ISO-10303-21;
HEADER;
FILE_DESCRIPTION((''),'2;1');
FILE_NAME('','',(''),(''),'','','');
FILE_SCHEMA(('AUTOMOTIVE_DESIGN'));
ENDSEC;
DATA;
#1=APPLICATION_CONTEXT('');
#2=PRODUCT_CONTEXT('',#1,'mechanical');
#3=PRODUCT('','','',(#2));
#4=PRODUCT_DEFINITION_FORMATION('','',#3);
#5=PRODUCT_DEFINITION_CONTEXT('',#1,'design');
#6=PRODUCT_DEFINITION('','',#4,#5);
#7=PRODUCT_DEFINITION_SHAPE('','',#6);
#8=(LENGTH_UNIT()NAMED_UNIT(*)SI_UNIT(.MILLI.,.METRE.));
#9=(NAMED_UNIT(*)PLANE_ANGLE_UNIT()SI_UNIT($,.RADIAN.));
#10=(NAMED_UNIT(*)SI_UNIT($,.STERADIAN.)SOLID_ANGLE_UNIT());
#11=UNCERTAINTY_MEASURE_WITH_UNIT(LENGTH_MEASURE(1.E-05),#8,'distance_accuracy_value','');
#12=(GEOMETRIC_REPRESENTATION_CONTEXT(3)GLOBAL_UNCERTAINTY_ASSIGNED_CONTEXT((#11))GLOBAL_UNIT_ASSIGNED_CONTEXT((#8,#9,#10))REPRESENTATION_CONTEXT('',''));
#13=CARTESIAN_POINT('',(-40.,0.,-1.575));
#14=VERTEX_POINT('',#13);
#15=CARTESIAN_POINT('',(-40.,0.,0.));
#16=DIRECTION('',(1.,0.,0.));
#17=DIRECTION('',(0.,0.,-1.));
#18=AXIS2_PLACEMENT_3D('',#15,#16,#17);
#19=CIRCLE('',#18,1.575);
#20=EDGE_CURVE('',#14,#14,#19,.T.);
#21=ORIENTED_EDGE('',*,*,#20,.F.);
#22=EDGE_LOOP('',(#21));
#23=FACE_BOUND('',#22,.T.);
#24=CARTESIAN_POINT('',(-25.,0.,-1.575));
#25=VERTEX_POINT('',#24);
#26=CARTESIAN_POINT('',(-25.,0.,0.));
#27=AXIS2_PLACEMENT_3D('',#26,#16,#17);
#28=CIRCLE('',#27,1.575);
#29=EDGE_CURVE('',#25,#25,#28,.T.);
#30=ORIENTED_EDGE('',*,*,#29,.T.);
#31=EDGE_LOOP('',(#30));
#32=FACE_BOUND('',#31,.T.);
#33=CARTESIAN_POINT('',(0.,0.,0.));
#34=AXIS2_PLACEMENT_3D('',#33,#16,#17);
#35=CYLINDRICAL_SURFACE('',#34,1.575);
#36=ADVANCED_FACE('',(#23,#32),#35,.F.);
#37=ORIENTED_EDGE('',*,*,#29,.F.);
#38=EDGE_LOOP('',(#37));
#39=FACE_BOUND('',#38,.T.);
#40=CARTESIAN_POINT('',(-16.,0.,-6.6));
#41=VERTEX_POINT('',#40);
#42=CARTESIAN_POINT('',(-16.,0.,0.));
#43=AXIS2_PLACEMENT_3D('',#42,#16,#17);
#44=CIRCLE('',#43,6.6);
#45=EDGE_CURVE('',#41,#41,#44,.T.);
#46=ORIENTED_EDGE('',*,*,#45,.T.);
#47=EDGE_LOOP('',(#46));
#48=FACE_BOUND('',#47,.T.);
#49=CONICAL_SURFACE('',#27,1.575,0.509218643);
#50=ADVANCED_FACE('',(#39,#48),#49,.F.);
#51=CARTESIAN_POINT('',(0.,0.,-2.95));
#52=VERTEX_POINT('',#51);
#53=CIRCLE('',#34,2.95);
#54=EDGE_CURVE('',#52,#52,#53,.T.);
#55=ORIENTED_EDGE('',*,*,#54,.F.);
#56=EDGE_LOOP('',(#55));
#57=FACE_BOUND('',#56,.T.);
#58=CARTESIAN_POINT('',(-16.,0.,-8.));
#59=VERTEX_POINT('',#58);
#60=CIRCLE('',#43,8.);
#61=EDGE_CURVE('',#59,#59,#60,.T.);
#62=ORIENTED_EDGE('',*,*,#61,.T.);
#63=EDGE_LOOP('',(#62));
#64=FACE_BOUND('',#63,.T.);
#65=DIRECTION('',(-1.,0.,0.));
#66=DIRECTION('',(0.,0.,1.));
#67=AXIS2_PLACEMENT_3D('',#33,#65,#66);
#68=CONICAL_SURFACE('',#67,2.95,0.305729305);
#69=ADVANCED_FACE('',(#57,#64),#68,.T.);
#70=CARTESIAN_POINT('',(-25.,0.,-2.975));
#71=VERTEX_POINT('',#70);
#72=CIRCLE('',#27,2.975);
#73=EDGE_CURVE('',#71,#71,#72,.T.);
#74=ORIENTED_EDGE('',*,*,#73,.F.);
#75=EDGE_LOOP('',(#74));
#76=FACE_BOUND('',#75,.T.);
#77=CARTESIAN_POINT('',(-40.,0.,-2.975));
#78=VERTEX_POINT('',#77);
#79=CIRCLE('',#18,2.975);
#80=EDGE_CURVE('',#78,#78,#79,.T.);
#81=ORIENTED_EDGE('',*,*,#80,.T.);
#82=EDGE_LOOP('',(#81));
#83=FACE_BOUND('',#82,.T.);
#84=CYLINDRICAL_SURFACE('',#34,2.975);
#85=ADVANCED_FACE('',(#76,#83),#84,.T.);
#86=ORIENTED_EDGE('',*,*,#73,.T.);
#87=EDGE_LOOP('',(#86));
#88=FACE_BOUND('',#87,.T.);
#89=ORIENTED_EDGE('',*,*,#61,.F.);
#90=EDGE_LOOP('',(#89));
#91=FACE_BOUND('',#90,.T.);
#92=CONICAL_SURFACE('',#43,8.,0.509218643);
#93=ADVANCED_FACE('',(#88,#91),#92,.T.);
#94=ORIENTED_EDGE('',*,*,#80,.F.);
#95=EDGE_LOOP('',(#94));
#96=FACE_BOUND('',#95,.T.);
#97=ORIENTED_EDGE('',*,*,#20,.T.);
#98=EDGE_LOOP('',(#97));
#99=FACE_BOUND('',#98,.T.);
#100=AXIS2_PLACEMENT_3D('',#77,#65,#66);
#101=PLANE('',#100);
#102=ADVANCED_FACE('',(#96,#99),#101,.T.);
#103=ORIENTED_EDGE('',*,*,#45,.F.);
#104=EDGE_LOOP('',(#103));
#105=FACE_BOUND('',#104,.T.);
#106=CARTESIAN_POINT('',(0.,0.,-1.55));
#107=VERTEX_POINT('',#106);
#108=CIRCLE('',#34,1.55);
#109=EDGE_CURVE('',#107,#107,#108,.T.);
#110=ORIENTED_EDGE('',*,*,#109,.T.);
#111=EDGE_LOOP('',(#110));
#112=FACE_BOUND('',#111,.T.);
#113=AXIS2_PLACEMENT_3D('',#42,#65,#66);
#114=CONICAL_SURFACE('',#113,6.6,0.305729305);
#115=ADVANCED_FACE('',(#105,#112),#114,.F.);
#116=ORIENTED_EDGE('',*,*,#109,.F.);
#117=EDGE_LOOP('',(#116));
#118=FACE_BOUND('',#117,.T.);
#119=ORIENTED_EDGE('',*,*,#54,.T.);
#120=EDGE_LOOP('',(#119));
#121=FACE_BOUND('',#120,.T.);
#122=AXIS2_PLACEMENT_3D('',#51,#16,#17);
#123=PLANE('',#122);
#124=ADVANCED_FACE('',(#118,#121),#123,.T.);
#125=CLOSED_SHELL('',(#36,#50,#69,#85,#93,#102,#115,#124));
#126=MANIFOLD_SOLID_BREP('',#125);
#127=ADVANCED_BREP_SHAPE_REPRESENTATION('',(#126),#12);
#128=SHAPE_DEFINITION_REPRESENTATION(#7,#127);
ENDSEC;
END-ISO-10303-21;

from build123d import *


with BuildPart() as part:
    # Sketch1 → Revolve1 (revolve)
    with BuildSketch(Plane(origin=(0, 0, 0), x_dir=(1, 0, 0), z_dir=(0, 1, 0))):
        Polygon((-40, 1.575), (-25, 1.575), (-16, 6.6), (0, 1.55), (0, 2.95), (-16, 8), (-25, 2.975), (-40, 2.975), align=None)
    revolve(axis=Axis((0, 0, 0), (-1, 0, 0)))


solid = part.part
